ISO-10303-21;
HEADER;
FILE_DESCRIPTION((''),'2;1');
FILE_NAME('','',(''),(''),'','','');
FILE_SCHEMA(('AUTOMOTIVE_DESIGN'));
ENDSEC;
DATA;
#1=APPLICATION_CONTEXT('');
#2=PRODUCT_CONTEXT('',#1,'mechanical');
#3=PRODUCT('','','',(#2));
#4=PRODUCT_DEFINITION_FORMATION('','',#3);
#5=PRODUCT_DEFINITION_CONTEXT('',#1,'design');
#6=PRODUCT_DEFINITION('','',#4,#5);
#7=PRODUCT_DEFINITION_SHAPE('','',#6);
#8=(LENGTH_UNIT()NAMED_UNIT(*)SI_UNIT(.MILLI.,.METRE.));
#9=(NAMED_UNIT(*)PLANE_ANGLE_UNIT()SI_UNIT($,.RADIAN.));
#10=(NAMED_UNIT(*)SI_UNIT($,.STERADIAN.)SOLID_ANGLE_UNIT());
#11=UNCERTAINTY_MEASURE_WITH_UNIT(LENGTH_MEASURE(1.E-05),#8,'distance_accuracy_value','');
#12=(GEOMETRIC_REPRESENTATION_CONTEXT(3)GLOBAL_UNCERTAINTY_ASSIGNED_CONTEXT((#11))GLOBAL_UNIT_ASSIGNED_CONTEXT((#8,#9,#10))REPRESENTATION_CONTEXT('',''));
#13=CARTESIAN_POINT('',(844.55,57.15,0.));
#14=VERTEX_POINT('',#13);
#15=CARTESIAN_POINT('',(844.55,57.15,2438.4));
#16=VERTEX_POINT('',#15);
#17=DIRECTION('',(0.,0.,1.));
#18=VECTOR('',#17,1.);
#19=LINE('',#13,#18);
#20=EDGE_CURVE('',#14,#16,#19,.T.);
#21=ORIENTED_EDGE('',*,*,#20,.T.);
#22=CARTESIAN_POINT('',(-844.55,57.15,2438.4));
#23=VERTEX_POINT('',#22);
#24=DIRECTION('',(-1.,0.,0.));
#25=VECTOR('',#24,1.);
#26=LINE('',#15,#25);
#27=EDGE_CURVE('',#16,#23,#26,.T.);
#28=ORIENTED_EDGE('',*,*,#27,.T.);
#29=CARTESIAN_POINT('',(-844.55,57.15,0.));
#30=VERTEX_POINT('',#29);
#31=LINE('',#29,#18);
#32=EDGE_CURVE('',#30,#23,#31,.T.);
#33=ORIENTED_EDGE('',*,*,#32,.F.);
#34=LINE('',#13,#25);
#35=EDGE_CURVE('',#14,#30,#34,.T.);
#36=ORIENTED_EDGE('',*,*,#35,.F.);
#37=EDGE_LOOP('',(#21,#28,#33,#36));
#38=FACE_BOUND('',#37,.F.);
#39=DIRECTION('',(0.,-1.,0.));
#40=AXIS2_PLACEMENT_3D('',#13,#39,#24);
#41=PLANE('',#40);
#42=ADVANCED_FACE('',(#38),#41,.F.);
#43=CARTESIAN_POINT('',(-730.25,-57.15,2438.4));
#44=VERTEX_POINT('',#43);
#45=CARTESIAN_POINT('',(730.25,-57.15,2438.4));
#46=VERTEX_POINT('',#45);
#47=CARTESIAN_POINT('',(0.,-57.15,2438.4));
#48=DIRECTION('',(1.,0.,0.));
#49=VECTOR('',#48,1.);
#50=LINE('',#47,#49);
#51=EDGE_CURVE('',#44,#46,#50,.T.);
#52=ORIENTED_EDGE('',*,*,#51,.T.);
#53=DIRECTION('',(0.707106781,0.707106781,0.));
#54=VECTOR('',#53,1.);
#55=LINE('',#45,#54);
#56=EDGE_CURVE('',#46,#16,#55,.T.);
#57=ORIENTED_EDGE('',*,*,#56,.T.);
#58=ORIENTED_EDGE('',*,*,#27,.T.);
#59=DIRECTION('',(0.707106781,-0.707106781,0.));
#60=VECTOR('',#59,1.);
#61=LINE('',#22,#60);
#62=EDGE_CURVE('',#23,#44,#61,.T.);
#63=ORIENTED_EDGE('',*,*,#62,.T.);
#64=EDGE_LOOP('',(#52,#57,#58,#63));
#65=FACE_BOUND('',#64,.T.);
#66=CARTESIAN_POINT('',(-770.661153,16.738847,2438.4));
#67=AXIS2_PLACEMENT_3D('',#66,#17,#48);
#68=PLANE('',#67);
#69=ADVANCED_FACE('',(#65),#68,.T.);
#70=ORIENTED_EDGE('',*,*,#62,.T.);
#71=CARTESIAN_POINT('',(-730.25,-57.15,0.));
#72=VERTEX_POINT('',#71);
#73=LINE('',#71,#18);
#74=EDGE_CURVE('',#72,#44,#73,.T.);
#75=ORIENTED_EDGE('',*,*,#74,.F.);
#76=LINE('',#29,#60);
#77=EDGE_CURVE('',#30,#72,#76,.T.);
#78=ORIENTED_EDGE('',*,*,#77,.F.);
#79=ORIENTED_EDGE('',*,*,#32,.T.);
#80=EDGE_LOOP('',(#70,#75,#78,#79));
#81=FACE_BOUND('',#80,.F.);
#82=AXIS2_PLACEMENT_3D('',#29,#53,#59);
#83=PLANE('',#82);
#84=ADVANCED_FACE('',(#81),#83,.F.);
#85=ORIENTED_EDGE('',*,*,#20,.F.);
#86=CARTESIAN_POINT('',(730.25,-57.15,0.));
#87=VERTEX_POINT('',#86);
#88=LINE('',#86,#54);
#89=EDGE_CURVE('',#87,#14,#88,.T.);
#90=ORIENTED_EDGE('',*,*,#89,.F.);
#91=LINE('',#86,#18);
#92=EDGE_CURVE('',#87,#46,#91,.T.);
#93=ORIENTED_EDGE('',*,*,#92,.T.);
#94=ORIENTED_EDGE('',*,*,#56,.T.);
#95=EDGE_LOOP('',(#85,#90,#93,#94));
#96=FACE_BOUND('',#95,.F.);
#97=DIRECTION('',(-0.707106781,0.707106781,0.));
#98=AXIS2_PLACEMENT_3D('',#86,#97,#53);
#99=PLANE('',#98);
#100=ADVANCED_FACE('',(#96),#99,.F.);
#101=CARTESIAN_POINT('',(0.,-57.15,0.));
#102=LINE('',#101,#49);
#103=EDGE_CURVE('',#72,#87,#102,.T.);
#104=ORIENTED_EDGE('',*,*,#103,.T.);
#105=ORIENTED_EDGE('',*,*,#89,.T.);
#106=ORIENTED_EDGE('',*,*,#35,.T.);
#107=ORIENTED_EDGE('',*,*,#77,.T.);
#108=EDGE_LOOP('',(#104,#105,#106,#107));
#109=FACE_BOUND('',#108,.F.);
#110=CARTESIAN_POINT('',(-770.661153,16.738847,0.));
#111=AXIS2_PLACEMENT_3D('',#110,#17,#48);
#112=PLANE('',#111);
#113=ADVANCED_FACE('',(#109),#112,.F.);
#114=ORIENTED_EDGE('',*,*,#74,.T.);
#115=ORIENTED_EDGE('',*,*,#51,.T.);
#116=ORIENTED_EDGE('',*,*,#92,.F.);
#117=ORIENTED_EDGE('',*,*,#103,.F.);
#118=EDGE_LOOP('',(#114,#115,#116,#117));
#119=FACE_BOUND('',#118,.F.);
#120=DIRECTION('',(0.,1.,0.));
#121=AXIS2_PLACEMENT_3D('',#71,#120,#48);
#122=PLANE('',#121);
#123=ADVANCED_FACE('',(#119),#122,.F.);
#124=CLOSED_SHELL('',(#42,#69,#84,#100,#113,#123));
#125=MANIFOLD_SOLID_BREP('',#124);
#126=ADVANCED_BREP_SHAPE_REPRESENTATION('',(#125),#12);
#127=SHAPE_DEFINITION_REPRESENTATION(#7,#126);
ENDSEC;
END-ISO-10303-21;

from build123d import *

# Parameters (mm, degrees)
F0_W     = 1460.5
F0_H     = 114.3
F1_DEPTH = 2438.4


with BuildPart() as f1:
    # F0 (on Top) → F1 (new body)
    with BuildSketch(Plane.XY):
        Polygon((-844.55, 57.15), (-730.25, -57.15), (-730.25, 57.15), align=None)
        Rectangle(F0_W, F0_H)
        Polygon((730.25, 57.15), (730.25, -57.15), (844.55, 57.15), align=None)
    extrude(amount=F1_DEPTH)


solid = f1.part
